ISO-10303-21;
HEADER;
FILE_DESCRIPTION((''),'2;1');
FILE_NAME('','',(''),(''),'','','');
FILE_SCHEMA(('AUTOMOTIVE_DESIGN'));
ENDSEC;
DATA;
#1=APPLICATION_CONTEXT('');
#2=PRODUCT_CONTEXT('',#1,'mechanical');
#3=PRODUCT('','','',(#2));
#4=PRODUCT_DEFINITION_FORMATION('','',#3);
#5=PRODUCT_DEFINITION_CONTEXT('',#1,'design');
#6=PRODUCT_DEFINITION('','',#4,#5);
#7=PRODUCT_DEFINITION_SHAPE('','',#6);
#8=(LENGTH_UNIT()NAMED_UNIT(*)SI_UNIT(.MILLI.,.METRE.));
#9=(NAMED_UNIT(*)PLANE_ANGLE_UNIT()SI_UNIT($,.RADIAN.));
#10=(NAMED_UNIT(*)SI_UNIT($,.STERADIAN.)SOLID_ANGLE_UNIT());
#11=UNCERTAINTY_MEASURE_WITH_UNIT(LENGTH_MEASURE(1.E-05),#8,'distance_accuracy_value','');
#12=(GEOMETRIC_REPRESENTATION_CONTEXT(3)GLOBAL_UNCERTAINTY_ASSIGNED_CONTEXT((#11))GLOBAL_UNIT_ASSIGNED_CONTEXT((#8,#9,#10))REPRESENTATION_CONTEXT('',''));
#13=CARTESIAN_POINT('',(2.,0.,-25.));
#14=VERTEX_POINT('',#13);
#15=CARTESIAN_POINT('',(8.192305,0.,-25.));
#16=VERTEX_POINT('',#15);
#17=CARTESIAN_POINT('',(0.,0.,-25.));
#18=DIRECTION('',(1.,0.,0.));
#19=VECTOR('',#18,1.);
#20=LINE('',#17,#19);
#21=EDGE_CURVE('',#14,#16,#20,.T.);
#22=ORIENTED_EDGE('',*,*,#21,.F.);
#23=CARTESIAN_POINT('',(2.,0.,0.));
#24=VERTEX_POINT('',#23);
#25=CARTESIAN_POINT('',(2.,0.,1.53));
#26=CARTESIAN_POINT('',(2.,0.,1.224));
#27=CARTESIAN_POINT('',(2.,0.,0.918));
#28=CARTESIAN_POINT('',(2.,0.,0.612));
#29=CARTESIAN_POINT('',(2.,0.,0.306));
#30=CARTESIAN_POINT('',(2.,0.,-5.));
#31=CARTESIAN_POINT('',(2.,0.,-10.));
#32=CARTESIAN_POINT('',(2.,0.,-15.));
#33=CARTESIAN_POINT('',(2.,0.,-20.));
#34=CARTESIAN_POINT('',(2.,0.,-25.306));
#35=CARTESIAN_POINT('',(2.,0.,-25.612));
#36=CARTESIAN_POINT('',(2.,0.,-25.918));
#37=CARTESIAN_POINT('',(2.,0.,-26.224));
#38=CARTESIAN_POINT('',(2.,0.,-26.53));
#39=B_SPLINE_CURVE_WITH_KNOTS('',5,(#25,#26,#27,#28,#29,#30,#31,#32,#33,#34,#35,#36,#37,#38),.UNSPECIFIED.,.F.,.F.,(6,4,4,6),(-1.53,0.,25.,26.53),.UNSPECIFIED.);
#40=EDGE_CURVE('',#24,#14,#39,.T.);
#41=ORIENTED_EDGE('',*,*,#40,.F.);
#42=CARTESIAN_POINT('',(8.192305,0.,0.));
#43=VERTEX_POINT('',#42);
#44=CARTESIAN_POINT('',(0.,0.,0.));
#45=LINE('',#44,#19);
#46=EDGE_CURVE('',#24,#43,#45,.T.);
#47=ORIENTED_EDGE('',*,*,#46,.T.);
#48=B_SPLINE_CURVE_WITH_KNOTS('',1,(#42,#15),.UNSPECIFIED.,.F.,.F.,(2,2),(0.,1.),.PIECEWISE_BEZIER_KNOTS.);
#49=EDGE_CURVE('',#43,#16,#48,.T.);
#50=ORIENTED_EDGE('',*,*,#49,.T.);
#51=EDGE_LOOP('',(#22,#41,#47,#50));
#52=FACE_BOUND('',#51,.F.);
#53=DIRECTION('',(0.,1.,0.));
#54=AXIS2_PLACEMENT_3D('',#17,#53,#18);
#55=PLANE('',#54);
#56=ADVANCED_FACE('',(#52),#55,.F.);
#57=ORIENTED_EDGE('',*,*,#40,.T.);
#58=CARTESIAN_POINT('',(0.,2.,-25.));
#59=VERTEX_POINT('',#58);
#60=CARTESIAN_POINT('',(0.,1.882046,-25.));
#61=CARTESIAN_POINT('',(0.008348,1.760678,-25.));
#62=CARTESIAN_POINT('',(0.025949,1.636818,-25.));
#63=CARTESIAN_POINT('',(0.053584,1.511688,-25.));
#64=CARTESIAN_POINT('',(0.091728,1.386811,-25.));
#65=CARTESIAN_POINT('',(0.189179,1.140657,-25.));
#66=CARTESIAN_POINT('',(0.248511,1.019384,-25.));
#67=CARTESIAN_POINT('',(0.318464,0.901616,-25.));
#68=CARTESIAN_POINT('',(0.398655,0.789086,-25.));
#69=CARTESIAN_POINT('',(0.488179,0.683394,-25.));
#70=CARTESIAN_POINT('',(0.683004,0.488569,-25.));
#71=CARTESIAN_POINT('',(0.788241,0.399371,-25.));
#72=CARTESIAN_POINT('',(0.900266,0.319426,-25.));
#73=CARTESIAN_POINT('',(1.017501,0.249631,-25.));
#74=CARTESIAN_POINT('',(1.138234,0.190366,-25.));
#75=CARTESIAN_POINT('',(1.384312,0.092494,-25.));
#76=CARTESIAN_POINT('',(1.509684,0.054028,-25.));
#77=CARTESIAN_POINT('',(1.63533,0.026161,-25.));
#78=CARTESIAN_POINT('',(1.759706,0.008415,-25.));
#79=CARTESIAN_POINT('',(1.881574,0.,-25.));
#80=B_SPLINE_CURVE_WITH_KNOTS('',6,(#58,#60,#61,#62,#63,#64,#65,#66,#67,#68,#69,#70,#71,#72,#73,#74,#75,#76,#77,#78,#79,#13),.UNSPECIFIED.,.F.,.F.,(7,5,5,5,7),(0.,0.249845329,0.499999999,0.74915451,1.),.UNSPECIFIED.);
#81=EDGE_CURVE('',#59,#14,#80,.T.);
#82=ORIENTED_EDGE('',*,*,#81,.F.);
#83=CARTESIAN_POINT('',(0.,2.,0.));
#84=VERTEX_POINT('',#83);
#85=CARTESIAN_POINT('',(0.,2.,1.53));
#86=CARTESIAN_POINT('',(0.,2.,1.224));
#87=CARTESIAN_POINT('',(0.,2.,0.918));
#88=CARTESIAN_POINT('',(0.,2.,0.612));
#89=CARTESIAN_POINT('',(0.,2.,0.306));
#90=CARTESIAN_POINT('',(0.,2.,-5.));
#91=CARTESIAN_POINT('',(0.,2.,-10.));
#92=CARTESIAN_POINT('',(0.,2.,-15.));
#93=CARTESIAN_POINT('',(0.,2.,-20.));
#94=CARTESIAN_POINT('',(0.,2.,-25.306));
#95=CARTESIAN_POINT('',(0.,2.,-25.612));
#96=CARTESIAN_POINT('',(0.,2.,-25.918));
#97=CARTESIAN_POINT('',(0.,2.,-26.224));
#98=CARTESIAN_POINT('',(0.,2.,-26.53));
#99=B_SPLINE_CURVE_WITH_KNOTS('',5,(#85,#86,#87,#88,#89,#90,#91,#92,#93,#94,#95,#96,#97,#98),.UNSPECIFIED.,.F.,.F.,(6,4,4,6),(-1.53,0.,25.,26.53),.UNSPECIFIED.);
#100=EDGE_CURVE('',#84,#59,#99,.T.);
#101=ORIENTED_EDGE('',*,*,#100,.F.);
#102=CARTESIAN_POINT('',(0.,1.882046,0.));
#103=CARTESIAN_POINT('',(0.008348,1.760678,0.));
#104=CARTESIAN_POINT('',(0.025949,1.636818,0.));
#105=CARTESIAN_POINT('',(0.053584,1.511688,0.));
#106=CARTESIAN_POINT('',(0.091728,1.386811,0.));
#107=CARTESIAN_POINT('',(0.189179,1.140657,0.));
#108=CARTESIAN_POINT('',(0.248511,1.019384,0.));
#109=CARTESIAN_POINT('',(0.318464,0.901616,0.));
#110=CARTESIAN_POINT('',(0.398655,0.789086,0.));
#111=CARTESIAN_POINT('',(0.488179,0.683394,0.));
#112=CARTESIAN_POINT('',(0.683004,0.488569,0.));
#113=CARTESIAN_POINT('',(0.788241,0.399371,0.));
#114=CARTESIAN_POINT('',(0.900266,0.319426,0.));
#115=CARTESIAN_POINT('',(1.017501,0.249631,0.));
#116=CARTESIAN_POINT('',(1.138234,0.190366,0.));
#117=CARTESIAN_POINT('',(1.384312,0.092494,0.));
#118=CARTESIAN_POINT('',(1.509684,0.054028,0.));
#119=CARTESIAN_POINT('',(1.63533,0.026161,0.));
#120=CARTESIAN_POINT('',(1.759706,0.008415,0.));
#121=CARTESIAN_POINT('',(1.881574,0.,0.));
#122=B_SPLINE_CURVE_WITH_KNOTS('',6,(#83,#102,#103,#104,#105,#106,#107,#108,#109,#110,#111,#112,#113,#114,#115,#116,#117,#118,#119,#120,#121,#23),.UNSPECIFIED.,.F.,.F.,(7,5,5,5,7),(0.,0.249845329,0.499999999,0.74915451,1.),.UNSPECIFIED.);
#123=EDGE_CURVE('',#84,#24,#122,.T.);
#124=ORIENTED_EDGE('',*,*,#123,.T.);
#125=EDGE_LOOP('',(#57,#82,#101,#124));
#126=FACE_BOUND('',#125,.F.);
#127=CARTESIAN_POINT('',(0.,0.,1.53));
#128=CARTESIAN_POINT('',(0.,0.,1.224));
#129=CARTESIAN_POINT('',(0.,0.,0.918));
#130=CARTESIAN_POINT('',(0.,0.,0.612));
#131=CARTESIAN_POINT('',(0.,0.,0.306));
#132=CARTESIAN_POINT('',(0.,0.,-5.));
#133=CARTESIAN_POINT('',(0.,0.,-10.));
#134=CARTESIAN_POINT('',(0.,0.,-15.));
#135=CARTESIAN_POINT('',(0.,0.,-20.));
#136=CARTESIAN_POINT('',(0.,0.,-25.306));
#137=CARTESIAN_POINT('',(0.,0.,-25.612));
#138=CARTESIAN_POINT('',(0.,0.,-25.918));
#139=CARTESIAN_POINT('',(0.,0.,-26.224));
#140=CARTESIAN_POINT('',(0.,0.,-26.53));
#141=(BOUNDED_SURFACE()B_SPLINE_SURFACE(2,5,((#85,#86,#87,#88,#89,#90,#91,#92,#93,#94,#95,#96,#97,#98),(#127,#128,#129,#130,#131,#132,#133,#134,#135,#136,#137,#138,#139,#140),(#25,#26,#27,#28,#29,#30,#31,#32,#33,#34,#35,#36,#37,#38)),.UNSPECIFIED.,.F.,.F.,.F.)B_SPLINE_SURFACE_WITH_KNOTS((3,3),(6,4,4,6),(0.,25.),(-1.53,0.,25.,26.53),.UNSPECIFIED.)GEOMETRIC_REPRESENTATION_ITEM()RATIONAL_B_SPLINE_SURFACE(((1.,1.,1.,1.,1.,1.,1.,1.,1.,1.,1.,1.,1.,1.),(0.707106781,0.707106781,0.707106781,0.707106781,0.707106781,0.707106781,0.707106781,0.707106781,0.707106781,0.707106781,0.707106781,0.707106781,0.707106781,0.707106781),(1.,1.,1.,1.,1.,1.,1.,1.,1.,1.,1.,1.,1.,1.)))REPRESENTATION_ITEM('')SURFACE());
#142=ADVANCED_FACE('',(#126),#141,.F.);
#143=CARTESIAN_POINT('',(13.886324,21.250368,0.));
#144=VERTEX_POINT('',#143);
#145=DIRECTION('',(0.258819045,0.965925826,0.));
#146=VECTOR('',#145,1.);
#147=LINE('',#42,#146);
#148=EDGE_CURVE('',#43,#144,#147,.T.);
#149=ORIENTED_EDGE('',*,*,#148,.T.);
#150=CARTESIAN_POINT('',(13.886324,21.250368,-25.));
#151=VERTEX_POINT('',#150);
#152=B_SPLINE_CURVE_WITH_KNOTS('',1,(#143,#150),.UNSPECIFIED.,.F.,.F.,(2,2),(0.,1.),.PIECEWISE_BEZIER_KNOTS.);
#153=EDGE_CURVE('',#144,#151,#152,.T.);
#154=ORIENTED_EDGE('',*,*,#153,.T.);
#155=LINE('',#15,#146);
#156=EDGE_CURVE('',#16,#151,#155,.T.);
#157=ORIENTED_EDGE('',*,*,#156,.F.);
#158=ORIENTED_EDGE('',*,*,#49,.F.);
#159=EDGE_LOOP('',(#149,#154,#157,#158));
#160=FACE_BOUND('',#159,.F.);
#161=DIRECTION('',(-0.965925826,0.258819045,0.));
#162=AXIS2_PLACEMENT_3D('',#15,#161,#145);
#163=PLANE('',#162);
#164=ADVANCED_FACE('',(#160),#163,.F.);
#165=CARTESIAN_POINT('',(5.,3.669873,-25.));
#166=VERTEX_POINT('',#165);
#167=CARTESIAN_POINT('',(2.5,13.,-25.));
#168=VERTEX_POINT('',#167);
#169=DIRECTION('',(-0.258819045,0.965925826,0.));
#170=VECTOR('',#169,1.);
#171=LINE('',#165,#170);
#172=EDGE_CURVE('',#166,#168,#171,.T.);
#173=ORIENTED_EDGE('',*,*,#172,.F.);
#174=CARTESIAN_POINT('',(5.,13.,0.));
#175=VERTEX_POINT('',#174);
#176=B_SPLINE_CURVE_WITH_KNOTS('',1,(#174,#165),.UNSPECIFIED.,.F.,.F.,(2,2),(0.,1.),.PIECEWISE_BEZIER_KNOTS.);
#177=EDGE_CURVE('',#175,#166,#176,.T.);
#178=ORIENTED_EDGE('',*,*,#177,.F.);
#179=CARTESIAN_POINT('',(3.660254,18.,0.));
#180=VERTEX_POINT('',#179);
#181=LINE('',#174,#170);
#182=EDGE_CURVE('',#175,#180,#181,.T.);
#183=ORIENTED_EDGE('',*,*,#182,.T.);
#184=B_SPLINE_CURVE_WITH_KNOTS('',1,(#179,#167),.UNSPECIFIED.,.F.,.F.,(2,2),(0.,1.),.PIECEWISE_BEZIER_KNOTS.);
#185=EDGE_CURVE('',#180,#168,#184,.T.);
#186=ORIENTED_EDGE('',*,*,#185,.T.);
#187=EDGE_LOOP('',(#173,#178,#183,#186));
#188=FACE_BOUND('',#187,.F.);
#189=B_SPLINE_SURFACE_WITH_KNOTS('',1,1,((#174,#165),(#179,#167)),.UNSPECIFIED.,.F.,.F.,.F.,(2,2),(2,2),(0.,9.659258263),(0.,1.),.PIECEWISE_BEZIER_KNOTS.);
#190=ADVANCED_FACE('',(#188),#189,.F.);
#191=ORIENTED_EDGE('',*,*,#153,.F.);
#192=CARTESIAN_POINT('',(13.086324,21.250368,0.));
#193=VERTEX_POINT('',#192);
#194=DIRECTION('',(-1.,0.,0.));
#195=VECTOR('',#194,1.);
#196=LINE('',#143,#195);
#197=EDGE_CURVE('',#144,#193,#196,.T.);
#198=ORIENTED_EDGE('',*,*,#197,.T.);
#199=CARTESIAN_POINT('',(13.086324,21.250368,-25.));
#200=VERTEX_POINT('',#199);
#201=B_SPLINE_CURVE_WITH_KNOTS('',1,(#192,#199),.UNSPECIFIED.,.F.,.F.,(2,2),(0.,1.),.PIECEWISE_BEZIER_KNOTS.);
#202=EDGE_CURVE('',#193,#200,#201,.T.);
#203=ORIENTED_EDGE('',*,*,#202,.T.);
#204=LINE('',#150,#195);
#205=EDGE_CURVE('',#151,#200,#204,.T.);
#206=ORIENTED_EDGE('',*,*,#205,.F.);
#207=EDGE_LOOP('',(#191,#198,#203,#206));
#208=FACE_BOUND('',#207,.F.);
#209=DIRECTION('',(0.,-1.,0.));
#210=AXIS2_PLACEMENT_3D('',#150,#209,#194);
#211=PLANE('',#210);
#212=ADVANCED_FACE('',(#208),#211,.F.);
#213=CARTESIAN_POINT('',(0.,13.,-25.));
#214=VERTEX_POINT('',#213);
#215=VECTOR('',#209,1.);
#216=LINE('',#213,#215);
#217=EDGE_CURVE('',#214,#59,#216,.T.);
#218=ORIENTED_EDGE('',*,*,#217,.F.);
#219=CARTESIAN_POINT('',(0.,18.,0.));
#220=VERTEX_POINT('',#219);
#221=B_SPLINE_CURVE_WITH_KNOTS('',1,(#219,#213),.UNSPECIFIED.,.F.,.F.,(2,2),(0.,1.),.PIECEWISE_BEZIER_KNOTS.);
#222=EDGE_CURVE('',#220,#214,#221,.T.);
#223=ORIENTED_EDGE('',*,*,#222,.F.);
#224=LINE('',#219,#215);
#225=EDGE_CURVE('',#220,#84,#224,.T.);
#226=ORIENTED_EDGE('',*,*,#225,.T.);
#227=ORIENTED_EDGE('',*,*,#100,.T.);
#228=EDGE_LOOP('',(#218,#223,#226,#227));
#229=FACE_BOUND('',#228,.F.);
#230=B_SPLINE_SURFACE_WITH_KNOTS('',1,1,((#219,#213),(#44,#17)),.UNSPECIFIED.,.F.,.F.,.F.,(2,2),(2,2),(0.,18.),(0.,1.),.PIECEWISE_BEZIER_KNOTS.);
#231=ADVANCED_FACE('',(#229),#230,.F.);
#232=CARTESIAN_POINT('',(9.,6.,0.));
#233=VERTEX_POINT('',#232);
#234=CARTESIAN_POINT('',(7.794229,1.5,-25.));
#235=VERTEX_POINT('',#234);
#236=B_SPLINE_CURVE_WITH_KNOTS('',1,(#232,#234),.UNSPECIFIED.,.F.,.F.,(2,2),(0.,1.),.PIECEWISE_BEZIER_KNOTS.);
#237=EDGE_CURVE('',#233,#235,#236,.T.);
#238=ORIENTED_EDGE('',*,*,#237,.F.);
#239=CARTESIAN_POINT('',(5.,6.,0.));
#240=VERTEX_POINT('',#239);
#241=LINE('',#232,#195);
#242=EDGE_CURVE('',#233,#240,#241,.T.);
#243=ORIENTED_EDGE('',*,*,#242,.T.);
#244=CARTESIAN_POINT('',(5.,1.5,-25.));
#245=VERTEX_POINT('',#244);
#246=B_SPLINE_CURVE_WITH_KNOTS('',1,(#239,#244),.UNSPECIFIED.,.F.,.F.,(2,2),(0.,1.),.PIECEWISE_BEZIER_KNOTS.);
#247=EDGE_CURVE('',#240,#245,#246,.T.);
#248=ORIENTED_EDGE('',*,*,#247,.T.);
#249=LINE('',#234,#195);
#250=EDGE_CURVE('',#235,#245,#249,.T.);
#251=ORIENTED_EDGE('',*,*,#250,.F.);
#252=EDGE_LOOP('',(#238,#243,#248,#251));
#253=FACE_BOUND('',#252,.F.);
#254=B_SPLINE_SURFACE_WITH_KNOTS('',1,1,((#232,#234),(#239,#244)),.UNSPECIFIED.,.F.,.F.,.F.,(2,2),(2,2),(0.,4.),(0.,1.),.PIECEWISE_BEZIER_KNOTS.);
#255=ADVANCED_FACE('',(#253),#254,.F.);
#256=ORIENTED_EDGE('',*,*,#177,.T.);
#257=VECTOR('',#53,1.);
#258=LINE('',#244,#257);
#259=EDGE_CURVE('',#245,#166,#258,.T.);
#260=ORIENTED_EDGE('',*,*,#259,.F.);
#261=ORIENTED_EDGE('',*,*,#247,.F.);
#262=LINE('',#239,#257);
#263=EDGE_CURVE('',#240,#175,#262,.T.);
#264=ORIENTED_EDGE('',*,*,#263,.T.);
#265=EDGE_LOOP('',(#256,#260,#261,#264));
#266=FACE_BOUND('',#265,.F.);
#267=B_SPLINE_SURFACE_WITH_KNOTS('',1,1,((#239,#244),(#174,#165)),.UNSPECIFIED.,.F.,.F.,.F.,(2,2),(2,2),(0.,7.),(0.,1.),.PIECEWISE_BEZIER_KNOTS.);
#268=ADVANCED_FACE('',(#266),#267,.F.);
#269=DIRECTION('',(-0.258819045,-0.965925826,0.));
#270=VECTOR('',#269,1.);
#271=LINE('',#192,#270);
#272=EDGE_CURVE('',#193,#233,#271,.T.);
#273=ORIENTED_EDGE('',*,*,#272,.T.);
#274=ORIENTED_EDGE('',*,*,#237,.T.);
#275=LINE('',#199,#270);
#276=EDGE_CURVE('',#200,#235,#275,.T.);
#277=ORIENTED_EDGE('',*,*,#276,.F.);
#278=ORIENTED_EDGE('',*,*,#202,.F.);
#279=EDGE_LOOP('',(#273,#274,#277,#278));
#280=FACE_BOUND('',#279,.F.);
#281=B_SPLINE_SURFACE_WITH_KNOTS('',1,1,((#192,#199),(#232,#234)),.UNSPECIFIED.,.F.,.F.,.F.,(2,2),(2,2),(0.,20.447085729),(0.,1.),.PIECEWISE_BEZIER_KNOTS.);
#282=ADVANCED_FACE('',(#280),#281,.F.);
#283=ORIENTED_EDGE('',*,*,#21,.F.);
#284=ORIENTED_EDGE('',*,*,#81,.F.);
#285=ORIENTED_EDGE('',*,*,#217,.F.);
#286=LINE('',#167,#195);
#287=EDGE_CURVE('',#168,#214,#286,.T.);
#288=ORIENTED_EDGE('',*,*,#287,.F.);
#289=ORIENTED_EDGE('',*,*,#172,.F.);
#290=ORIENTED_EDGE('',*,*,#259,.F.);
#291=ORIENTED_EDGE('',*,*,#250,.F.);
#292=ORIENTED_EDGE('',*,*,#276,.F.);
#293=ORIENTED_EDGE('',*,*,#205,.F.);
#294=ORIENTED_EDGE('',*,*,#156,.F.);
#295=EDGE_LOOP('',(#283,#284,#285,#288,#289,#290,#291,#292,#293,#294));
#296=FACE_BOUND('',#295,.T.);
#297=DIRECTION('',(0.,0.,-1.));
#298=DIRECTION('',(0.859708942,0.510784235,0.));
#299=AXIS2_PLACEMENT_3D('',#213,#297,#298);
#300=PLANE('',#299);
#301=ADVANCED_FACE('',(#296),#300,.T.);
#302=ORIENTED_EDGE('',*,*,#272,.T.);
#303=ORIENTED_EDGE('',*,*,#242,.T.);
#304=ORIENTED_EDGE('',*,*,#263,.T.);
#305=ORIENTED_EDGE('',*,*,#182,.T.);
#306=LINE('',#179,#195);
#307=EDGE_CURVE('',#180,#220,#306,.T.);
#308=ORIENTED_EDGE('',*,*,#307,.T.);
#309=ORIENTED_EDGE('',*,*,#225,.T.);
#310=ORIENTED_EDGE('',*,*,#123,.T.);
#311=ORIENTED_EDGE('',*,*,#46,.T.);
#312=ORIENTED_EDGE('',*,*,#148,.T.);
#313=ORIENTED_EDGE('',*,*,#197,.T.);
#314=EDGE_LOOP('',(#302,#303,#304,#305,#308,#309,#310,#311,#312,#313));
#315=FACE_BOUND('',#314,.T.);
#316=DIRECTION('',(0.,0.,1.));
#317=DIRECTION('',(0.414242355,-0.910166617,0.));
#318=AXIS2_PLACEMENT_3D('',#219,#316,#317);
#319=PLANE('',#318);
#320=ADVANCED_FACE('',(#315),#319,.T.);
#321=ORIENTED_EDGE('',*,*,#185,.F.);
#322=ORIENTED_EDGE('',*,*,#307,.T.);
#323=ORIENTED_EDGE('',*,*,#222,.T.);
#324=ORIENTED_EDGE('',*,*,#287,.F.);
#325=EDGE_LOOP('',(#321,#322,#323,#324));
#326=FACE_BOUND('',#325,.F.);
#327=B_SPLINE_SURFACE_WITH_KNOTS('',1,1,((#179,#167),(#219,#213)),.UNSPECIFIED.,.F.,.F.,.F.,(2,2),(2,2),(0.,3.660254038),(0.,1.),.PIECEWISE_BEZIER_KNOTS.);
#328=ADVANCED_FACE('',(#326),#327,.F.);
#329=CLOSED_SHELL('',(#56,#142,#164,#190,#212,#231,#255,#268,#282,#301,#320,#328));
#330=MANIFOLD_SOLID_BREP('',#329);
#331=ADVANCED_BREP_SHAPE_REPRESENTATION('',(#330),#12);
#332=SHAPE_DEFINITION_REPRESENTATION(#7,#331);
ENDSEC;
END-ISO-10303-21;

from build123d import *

# Parameters (mm, degrees)
F4_R = 2


with BuildPart() as f3:
    # F0 (on Top) → F3 section 0
    with BuildSketch(Plane.XY):
        Polygon((0, 18), (0, 0), (8.1923048454, 0), (13.8863238377, 21.2503681784), (13.0863238377, 21.2503681784), (9, 6), (5, 6), (5, 13), (3.6602540378, 18), align=None)
    # F2 (on offset) → F3 section 1
    with BuildSketch(Plane.XY.offset(-25)):
        Polygon((0, 13), (0, 0), (8.1923048454, 0), (13.8863238377, 21.2503681784), (13.0863238377, 21.2503681784), (7.7942286341, 1.5), (5, 1.5), (5, 3.6698729811), (2.5, 13), align=None)
    loft()

    # F4
    f4_edges = [f3.edges().sort_by_distance(p)[0] for p in [
        (0, 0, -12.5),
    ]]
    fillet(f4_edges, radius=F4_R)


solid = f3.part
